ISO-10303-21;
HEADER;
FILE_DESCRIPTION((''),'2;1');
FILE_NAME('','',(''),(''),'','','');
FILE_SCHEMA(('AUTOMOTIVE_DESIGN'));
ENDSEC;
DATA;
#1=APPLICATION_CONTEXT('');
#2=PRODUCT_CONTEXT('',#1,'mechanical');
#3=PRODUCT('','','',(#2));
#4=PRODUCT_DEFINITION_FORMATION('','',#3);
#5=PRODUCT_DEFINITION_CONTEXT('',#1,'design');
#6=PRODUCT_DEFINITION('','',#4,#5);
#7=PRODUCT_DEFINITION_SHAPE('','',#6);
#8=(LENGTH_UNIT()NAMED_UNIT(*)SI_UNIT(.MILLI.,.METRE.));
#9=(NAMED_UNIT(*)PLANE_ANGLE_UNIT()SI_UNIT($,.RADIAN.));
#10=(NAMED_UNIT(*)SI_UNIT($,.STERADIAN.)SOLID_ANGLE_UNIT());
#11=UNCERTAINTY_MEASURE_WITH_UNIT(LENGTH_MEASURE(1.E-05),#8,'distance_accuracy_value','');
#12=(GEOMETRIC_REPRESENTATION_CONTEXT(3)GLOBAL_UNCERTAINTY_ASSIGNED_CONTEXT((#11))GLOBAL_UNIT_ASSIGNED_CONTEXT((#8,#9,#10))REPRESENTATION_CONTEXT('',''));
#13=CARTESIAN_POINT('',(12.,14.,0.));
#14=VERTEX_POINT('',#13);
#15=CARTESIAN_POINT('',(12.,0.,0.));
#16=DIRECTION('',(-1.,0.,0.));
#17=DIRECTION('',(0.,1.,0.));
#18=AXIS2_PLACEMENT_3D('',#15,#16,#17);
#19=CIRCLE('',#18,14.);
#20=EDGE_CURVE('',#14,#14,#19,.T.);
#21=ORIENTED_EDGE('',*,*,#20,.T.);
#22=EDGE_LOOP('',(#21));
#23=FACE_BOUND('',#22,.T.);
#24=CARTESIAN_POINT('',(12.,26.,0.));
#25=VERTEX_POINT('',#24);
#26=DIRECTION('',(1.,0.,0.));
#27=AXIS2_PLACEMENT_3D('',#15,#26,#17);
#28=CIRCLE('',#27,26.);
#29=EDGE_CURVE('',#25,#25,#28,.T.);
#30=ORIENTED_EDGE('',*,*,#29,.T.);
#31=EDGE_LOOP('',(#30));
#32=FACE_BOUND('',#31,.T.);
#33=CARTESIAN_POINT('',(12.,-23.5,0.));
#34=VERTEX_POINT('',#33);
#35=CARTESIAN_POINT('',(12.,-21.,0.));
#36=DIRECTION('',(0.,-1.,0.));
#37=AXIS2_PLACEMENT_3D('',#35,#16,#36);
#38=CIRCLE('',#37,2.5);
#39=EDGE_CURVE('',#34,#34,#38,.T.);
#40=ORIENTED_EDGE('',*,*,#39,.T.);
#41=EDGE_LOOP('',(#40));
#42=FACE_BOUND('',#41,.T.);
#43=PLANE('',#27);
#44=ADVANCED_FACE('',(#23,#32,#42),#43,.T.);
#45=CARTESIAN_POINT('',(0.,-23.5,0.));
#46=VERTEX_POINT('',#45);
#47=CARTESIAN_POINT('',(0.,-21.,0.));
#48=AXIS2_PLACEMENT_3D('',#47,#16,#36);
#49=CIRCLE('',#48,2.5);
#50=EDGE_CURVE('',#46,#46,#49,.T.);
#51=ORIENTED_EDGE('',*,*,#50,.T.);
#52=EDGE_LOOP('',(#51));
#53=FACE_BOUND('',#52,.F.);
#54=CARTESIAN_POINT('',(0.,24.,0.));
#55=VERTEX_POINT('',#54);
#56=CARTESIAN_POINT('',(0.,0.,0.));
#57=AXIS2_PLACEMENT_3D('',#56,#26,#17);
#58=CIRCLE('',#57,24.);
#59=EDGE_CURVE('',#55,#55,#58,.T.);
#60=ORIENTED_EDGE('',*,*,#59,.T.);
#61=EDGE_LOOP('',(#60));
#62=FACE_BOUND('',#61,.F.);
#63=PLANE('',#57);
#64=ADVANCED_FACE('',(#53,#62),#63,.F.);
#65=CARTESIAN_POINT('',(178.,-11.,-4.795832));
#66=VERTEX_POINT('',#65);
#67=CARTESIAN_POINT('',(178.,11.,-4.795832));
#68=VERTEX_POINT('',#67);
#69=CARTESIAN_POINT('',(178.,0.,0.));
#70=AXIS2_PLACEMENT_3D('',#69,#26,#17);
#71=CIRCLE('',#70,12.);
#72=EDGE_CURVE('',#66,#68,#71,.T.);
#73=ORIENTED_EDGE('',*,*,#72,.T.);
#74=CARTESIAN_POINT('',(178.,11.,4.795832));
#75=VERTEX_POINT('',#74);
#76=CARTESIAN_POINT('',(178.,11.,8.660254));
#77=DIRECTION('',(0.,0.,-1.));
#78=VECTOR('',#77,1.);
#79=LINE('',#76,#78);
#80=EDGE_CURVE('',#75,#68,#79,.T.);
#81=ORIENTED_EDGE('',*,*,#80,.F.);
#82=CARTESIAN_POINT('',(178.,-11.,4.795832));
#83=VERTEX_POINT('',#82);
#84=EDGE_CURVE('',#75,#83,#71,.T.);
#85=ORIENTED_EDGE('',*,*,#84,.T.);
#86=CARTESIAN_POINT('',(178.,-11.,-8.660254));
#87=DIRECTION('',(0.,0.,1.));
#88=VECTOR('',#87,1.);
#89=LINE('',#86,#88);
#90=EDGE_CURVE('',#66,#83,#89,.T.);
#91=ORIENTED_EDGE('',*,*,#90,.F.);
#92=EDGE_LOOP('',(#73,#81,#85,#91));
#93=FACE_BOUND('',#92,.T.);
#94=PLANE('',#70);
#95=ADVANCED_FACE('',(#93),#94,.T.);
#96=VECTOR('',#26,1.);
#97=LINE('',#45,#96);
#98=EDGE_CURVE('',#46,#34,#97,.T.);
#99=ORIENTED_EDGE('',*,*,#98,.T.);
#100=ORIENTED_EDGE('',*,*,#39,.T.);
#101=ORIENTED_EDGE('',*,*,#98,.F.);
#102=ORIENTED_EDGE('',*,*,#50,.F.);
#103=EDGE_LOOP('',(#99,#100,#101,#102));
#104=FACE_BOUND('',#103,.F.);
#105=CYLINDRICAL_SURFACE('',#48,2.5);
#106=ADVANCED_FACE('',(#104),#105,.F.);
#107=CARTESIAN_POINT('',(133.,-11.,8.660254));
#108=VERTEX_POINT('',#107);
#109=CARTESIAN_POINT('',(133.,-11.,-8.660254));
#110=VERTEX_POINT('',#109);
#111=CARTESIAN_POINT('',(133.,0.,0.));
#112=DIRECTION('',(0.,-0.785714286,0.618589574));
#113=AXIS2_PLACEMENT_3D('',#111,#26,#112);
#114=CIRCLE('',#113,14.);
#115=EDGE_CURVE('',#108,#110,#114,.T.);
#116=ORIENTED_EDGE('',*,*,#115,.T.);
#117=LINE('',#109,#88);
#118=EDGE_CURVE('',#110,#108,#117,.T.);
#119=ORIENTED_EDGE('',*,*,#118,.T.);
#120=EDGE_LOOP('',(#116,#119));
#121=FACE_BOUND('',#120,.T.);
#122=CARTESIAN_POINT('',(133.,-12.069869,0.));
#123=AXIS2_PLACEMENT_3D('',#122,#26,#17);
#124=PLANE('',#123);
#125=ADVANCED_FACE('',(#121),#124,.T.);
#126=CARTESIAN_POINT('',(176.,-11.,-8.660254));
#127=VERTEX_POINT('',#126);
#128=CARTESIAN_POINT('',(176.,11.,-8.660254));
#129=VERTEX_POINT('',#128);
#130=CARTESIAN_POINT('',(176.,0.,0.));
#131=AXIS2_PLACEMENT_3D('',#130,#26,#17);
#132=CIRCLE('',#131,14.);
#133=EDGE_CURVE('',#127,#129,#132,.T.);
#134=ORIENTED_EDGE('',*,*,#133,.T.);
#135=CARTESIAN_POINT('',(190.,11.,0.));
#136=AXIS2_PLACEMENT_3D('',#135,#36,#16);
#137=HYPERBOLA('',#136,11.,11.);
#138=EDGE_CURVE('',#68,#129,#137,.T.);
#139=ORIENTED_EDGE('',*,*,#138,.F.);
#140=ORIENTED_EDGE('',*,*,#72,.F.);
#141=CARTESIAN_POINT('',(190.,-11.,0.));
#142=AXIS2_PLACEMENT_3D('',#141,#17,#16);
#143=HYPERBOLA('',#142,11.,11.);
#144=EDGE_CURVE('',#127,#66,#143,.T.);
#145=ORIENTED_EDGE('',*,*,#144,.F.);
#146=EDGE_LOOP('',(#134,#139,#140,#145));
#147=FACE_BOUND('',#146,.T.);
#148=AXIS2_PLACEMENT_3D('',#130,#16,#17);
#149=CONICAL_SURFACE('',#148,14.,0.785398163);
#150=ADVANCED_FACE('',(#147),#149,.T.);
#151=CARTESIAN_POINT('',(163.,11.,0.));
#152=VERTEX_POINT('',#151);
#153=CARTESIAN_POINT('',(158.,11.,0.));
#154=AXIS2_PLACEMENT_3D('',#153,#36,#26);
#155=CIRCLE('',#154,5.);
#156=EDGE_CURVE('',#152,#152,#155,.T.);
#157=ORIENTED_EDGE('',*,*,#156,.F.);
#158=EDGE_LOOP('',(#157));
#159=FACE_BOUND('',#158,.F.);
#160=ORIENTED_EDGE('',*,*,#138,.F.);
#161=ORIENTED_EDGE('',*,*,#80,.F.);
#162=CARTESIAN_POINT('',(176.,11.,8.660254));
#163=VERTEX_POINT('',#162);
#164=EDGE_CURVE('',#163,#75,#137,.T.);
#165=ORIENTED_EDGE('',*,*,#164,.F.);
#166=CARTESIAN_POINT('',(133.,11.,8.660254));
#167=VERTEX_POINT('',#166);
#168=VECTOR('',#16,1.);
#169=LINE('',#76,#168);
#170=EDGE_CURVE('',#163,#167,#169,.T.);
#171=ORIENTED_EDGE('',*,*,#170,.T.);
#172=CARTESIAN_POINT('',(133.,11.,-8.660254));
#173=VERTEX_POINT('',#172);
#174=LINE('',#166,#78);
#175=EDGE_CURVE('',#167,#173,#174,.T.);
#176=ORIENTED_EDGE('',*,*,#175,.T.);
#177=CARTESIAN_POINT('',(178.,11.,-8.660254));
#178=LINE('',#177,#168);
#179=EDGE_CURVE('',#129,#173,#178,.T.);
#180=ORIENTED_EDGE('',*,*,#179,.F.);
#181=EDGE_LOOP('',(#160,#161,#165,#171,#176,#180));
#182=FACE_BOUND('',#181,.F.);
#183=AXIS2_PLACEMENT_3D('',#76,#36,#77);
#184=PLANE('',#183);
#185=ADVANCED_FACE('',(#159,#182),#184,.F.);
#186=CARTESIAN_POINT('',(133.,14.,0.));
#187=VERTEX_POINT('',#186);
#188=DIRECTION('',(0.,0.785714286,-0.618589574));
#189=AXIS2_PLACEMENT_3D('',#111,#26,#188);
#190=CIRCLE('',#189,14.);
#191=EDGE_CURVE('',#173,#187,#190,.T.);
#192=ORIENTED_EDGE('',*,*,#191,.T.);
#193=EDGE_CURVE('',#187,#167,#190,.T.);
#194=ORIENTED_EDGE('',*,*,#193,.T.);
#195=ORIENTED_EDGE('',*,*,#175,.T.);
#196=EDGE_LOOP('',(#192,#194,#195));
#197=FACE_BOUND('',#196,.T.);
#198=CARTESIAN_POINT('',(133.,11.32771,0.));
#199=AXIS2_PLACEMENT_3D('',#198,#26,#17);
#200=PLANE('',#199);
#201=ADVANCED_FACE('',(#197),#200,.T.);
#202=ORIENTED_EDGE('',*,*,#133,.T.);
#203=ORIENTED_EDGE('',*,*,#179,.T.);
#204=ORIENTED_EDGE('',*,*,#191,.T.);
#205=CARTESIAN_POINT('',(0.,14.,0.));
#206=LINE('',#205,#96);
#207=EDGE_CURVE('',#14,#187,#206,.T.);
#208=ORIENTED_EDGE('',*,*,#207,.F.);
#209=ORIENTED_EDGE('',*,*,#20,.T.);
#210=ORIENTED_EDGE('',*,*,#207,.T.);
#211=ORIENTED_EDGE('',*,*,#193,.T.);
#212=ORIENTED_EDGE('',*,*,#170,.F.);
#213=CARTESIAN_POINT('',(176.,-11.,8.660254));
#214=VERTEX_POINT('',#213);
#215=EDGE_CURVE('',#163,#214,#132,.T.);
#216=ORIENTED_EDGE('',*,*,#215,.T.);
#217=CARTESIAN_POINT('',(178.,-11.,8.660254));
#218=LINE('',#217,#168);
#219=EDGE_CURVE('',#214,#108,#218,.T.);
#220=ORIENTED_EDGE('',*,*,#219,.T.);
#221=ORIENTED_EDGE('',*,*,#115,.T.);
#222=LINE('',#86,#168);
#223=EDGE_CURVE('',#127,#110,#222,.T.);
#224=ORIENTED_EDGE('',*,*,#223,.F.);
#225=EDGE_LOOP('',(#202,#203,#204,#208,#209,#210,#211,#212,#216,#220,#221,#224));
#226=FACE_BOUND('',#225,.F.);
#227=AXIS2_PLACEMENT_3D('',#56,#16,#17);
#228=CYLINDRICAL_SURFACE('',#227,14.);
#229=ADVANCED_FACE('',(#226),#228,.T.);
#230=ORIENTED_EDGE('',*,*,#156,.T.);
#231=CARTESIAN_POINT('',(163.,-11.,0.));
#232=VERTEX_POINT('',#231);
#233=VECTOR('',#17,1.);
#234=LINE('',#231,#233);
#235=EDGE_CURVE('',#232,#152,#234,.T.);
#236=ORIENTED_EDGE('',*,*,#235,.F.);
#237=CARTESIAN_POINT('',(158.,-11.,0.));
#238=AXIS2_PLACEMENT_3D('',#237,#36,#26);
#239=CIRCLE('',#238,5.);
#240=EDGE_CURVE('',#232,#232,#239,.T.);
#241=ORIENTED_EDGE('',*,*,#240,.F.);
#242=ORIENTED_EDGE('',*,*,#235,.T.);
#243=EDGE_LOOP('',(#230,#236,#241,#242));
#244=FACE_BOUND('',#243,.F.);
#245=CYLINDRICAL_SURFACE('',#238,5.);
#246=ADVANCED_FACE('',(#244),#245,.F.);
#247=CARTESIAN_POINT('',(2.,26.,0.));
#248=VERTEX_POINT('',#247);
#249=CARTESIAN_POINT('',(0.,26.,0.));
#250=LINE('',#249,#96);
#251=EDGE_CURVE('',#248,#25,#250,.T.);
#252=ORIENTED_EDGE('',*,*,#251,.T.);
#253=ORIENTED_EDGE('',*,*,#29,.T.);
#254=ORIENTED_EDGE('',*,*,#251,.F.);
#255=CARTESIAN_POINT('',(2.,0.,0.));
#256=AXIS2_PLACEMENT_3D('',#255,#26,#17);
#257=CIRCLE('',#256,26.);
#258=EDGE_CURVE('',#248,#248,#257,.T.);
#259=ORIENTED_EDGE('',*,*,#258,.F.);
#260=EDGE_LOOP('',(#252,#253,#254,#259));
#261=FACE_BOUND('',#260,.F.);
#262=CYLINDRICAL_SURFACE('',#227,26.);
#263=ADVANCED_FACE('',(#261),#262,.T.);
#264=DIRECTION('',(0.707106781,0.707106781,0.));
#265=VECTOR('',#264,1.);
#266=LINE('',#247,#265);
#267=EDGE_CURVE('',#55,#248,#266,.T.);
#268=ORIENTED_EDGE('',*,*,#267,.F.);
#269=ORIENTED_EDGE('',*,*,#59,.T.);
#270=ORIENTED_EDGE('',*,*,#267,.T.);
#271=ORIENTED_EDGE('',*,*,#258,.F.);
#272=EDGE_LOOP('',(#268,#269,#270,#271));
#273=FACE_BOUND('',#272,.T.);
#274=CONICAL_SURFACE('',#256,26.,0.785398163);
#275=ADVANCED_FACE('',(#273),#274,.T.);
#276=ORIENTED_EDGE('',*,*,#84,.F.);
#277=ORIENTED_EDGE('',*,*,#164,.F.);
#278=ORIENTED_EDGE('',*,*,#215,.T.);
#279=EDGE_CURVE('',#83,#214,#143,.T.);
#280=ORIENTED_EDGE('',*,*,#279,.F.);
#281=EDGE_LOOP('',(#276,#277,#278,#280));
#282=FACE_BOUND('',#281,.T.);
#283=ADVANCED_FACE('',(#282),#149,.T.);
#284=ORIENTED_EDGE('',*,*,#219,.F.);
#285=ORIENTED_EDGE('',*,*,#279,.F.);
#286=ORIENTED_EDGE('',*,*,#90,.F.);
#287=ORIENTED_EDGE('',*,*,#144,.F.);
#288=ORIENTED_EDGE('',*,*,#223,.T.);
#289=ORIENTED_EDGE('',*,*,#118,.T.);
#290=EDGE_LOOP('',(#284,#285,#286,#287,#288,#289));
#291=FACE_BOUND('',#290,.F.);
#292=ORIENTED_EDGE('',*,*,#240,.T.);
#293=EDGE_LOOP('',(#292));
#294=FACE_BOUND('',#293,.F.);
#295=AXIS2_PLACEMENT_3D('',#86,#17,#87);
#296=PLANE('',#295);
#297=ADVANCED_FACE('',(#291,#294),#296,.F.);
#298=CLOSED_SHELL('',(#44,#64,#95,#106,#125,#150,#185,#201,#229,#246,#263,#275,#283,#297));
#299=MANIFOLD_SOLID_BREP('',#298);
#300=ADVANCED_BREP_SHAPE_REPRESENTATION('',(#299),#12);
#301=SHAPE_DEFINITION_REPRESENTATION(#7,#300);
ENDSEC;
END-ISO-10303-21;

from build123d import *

# Parameters (mm, degrees)
F0_R     = 26
F0_R_2   = 14
F1_DEPTH = 12
F2_DEPTH = 178
F3_SIZE  = 2
F4_R     = 2.5
F5_DEPTH = 12
F7_DEPTH = 45
F8_R     = 5
F9_DEPTH = 22


with BuildPart() as f1:
    # F0 (on Right) → F1 (new body)
    with BuildSketch(Plane.YZ):
        Circle(F0_R)
        Circle(F0_R_2, mode=Mode.SUBTRACT)
        Circle(F0_R_2)
    extrude(amount=F1_DEPTH)

    # F0 (on Right) → F2 (join)
    with BuildSketch(Plane.YZ):
        Circle(F0_R_2)
    extrude(amount=F2_DEPTH)

    # F3
    f3_edges = [f1.edges().sort_by_distance(p)[0] for p in [
        (0, -26, 0),
        (178, -14, 0),
    ]]
    chamfer(f3_edges, length=F3_SIZE)

    # F4 (on face) → F5 (cut, through all)
    with BuildSketch(Plane(origin=(0, 0, 0), x_dir=(0, -1, 0), z_dir=(-1, 0, 0))):
        with Locations((21, 0)):
            Circle(F4_R)
    extrude(amount=-F5_DEPTH, mode=Mode.SUBTRACT)

    # F6 (on face) → F7 (cut)
    with BuildSketch(Plane.YZ.offset(178)):
        with BuildLine():
            Line((-11, 4.7958315233), (-11, 8.6602540378))
            ThreePointArc((-11, 8.6602540378), (-14, 0), (-11, -8.6602540378))
            Line((-11, -8.6602540378), (-11, -4.7958315233))
            ThreePointArc((-11, -4.7958315233), (-12, 0), (-11, 4.7958315233))
        make_face()
        with BuildLine():
            Line((-11, -4.7958315233), (-11, 4.7958315233))
            ThreePointArc((-11, 4.7958315233), (-12, 0), (-11, -4.7958315233))
        make_face()
        with BuildLine():
            ThreePointArc((12, 0), (11.7473401245, 2.4494897428), (11, 4.7958315233))
            Line((11, 4.7958315233), (11, -4.7958315233))
            ThreePointArc((11, -4.7958315233), (11.7473401245, -2.4494897428), (12, 0))
        make_face()
        with BuildLine():
            ThreePointArc((11, -8.6602540378), (13.2287565553, -4.582575695), (14, 0))
            ThreePointArc((14, 0), (13.2287565553, 4.582575695), (11, 8.6602540378))
            Line((11, 8.6602540378), (11, 4.7958315233))
            ThreePointArc((11, 4.7958315233), (11.7473401245, 2.4494897428), (12, 0))
            ThreePointArc((12, 0), (11.7473401245, -2.4494897428), (11, -4.7958315233))
            Line((11, -4.7958315233), (11, -8.6602540378))
        make_face()
    extrude(amount=-F7_DEPTH, mode=Mode.SUBTRACT)

    # F8 (on face) → F9 (cut, through all)
    with BuildSketch(Plane.XZ.offset(11)):
        with Locations((158, 0)):
            Circle(F8_R)
    extrude(amount=-F9_DEPTH, mode=Mode.SUBTRACT)


solid = f1.part
